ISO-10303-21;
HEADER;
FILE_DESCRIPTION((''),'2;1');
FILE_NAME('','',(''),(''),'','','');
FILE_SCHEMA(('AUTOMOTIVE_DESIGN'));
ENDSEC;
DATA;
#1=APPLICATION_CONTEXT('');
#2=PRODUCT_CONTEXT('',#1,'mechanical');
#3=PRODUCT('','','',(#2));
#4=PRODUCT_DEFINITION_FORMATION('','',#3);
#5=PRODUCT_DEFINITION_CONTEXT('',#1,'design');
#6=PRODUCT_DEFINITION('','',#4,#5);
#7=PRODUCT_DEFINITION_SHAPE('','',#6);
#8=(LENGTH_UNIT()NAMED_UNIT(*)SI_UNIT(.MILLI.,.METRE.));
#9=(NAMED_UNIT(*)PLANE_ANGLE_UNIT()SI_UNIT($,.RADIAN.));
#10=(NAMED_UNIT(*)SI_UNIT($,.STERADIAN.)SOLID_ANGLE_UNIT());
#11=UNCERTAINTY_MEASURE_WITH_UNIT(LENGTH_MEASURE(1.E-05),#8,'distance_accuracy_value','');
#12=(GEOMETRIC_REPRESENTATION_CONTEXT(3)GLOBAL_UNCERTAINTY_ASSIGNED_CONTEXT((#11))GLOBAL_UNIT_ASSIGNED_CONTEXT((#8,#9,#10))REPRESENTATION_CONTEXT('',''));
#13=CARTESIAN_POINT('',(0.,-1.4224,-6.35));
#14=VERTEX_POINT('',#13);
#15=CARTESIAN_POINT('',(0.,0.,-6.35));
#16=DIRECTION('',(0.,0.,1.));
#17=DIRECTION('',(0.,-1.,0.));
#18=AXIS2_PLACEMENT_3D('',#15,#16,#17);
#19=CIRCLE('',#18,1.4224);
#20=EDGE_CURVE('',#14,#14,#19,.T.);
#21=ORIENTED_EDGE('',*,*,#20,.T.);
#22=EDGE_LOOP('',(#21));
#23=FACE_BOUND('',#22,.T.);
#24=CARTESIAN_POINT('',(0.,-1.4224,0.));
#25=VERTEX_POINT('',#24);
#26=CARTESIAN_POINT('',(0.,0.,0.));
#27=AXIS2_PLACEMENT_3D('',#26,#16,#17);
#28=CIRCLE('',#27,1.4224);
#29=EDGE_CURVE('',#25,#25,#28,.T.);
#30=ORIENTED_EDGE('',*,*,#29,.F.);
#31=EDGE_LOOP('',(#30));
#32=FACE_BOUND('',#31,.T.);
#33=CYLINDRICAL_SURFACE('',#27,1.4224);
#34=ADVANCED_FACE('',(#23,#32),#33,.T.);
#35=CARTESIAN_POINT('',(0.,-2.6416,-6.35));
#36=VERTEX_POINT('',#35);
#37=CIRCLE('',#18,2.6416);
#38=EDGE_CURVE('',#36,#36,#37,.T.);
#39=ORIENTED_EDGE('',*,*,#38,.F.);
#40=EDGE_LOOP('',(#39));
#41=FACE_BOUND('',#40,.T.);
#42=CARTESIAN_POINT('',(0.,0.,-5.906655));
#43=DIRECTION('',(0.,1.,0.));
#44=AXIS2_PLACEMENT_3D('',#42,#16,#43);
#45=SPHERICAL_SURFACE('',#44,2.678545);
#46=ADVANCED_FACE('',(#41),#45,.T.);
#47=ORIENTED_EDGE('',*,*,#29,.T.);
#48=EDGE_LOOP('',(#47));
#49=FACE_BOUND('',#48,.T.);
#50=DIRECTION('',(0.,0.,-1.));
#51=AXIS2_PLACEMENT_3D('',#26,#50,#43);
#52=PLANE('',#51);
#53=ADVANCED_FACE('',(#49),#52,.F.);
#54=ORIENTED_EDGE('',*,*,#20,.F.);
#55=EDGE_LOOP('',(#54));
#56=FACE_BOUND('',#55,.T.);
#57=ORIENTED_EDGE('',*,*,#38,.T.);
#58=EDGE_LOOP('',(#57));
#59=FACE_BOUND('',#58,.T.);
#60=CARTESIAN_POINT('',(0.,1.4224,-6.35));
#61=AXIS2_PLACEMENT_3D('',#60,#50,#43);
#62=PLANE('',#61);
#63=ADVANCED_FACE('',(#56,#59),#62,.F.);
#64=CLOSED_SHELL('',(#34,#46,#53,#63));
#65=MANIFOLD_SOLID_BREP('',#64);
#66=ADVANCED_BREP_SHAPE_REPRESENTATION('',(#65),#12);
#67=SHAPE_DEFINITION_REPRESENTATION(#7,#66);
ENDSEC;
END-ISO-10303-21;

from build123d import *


with BuildPart() as part:
    # Sketch2 → Revolve1 (revolve)
    with BuildSketch(Plane(origin=(0, 0, 0), x_dir=(0, 0, -1), z_dir=(1, 0, 0))):
        with BuildLine():
            Line((0, 0), (0, 1.4224))
            Line((0, 1.4224), (6.35, 1.4224))
            Line((6.35, 1.4224), (6.35, 2.6416))
            ThreePointArc((6.35, 2.6416), (7.95141941, 1.730185655), (8.5852, 0))
            Line((8.5852, 0), (0, 0))
        make_face()
    revolve(axis=Axis((0, 0, 0), (0, 0, -1)))


solid = part.part
